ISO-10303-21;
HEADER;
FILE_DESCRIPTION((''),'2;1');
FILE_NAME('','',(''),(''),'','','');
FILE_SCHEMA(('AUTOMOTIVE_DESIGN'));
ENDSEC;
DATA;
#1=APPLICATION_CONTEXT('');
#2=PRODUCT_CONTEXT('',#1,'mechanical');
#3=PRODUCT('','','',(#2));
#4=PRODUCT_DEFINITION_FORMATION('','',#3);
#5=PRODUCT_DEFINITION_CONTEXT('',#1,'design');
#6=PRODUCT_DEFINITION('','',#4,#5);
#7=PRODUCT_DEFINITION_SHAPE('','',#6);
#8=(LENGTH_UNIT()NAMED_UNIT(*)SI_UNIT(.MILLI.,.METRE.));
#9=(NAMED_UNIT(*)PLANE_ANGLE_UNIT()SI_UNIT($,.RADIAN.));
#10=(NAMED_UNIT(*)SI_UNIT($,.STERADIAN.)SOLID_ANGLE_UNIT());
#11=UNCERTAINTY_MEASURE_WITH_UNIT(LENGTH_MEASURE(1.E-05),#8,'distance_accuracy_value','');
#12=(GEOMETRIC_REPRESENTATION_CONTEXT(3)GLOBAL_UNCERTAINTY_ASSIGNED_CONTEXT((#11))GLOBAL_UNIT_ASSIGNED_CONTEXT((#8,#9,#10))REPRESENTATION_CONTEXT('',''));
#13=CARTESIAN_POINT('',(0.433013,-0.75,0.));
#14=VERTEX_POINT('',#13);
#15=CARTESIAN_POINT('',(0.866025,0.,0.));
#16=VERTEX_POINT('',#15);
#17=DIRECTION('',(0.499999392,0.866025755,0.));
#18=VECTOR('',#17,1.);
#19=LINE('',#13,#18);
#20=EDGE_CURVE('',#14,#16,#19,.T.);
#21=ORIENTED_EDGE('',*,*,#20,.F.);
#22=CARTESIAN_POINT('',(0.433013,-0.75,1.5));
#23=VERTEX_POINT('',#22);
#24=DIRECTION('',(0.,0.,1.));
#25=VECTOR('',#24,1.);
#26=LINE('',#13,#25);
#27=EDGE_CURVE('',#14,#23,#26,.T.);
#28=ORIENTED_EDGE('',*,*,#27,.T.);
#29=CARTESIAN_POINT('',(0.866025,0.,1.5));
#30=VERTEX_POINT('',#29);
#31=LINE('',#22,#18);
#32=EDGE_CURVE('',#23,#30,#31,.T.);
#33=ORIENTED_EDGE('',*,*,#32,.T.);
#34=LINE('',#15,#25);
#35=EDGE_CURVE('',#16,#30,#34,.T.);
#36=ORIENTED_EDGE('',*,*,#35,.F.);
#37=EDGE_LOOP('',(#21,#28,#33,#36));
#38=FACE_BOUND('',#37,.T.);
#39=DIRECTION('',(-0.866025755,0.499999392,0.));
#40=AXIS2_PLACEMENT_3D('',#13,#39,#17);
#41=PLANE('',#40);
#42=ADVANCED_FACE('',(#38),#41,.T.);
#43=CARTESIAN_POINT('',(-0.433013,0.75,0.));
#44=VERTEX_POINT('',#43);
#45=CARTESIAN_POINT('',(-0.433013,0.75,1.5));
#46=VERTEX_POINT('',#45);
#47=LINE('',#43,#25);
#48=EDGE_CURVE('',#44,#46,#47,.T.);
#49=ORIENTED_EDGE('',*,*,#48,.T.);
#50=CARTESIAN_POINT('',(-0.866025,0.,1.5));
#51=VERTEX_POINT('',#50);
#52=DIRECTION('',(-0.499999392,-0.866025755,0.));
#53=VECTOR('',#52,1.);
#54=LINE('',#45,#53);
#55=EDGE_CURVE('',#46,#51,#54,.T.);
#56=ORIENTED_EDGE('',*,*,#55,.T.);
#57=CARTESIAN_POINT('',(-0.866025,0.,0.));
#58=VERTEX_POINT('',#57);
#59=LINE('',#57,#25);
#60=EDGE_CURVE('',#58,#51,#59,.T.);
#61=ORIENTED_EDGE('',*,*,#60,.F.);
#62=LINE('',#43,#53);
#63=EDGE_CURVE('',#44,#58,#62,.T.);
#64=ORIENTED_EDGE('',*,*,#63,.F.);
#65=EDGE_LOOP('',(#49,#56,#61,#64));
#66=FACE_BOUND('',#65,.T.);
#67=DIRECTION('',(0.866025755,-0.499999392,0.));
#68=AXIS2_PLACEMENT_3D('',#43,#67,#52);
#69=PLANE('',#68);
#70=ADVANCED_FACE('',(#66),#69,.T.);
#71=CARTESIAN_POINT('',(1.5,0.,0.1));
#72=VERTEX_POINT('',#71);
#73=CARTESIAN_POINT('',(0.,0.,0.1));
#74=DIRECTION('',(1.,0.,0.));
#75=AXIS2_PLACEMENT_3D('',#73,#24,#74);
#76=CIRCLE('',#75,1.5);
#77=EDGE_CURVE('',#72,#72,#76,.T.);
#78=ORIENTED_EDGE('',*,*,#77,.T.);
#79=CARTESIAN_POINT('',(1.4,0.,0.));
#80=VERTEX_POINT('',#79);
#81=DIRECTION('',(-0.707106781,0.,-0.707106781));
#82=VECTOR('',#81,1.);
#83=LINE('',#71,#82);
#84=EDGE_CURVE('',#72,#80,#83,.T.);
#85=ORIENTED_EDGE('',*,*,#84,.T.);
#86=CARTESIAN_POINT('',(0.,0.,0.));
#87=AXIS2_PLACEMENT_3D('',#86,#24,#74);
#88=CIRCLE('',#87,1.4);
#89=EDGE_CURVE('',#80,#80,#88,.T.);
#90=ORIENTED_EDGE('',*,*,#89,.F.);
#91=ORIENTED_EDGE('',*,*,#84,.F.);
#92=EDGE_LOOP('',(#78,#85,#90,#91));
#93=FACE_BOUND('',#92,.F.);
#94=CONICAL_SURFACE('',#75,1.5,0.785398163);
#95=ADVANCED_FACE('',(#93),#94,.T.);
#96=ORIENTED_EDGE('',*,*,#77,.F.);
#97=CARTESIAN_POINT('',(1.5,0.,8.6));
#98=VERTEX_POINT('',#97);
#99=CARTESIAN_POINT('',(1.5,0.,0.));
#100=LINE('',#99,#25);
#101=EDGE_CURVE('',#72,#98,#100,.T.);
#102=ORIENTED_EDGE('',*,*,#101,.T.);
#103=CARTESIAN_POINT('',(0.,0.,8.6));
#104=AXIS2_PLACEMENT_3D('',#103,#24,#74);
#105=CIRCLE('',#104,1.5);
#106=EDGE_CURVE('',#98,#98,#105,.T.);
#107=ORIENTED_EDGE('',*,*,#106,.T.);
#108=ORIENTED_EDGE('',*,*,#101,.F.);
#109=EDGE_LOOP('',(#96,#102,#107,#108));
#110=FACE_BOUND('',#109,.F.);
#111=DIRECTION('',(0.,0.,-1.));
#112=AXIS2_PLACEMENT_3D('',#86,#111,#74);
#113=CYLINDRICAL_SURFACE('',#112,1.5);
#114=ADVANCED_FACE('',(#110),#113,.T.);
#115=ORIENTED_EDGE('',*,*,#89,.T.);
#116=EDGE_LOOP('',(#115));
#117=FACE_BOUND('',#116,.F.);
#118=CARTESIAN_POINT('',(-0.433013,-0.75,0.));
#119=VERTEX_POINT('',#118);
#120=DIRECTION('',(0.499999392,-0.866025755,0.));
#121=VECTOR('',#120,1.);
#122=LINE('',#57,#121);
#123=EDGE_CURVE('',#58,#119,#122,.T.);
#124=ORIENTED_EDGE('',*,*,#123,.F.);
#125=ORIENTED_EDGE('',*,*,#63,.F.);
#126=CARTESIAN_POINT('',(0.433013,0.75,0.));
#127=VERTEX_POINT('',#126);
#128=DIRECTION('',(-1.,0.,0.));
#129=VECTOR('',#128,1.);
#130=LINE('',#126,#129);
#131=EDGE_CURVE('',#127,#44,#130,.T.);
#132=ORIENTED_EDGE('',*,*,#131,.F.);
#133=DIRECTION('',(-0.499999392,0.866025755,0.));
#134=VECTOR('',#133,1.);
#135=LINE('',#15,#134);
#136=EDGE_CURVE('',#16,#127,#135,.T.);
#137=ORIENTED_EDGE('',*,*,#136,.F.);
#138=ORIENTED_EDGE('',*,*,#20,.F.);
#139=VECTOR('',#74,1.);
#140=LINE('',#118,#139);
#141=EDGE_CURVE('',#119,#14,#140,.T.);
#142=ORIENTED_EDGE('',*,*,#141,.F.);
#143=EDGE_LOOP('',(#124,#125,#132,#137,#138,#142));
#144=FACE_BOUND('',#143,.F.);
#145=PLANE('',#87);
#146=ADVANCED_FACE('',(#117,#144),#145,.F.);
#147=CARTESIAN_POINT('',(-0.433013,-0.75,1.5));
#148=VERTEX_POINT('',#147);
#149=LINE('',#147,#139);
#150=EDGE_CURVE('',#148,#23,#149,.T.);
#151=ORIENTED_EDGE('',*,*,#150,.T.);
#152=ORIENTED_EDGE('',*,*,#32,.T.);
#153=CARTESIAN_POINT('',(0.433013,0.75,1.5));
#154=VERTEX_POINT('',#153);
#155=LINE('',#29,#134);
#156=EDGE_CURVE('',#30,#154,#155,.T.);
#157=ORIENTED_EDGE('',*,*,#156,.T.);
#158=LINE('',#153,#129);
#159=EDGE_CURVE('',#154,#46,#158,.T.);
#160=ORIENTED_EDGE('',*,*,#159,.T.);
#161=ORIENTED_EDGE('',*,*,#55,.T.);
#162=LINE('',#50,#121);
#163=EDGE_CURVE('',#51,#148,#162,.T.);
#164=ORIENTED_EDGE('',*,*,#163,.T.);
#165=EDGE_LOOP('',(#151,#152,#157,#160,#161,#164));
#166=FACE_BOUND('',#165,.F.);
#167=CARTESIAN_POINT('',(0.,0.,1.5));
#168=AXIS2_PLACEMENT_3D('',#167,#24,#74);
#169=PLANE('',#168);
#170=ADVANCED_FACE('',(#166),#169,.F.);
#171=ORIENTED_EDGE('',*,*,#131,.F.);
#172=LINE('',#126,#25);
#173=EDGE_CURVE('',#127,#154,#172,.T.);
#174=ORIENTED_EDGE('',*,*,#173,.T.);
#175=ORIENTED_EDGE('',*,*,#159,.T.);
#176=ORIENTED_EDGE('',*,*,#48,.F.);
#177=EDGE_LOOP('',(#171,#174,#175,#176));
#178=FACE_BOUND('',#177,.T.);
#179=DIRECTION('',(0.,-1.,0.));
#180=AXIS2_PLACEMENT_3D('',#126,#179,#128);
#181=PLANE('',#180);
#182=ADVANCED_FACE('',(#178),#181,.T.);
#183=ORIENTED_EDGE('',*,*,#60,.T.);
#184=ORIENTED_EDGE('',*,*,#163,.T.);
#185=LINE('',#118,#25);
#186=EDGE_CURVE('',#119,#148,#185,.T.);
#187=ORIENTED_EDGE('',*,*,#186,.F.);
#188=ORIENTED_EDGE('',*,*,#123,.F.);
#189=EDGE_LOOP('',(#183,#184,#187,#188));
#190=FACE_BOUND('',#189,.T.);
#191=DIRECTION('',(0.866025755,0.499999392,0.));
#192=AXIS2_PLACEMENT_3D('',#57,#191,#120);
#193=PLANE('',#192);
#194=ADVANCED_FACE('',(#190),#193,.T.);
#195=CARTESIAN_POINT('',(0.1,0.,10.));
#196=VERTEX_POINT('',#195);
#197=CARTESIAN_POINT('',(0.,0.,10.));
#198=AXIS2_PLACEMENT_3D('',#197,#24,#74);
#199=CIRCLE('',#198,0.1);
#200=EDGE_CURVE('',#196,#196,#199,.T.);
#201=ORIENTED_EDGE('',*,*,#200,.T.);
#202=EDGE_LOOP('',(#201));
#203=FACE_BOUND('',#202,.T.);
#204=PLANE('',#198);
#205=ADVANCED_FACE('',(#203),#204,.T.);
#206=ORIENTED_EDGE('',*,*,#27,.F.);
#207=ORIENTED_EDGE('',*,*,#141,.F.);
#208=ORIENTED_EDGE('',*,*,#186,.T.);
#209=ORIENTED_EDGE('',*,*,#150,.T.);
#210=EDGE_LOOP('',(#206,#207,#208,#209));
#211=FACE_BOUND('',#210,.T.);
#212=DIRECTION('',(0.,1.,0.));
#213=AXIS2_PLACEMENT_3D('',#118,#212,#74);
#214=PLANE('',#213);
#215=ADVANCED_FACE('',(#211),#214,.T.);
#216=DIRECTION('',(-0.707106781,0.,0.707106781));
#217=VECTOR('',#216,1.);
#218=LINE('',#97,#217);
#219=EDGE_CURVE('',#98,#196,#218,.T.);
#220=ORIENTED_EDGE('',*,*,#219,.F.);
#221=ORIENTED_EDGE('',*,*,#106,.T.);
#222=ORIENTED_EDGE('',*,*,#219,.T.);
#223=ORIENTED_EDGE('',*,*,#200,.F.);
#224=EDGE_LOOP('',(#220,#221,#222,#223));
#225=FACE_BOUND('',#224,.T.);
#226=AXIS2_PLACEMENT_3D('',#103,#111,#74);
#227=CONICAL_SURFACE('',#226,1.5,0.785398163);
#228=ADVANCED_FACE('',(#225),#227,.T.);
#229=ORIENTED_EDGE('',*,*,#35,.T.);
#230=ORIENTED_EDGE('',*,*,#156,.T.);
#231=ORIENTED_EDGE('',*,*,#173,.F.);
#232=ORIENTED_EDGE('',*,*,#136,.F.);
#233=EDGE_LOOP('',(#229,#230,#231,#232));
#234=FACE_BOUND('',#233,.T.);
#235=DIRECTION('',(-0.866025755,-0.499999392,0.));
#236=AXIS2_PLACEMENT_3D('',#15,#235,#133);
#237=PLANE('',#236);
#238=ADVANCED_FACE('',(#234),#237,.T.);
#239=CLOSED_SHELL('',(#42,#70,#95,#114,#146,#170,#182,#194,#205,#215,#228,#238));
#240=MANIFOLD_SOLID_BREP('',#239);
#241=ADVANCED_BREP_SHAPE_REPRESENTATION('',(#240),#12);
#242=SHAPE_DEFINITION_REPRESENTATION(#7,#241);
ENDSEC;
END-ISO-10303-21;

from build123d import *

# Parameters (mm, degrees)
SKETCH028_R     = 1.5
PAD013_DEPTH    = 10
CHAMFER003_SIZE = 1.4
POCKET014_DEPTH = 1.5
CHAMFER002_SIZE = 0.1


with BuildPart() as part:
    # Sketch028 → Pad013 (new body)
    with BuildSketch(Plane.XY):
        Circle(SKETCH028_R)
    extrude(amount=PAD013_DEPTH)

    # Chamfer003
    chamfer003_edges = [part.edges().sort_by_distance(p)[0] for p in [
        (-1.5, 0, 10),
    ]]
    chamfer(chamfer003_edges, length=CHAMFER003_SIZE)

    # Sketch027 → Pocket014 (cut)
    with BuildSketch(Plane.XY):
        Polygon((0.433013, -0.75), (0.866025, 0), (0.433013, 0.75), (-0.433013, 0.75), (-0.866025, 0), (-0.433013, -0.75), align=None)
    extrude(amount=POCKET014_DEPTH, mode=Mode.SUBTRACT)

    # Chamfer002
    chamfer002_edges = [part.edges().sort_by_distance(p)[0] for p in [
        (-1.5, 0, 0),
    ]]
    chamfer(chamfer002_edges, length=CHAMFER002_SIZE)


solid = part.part
